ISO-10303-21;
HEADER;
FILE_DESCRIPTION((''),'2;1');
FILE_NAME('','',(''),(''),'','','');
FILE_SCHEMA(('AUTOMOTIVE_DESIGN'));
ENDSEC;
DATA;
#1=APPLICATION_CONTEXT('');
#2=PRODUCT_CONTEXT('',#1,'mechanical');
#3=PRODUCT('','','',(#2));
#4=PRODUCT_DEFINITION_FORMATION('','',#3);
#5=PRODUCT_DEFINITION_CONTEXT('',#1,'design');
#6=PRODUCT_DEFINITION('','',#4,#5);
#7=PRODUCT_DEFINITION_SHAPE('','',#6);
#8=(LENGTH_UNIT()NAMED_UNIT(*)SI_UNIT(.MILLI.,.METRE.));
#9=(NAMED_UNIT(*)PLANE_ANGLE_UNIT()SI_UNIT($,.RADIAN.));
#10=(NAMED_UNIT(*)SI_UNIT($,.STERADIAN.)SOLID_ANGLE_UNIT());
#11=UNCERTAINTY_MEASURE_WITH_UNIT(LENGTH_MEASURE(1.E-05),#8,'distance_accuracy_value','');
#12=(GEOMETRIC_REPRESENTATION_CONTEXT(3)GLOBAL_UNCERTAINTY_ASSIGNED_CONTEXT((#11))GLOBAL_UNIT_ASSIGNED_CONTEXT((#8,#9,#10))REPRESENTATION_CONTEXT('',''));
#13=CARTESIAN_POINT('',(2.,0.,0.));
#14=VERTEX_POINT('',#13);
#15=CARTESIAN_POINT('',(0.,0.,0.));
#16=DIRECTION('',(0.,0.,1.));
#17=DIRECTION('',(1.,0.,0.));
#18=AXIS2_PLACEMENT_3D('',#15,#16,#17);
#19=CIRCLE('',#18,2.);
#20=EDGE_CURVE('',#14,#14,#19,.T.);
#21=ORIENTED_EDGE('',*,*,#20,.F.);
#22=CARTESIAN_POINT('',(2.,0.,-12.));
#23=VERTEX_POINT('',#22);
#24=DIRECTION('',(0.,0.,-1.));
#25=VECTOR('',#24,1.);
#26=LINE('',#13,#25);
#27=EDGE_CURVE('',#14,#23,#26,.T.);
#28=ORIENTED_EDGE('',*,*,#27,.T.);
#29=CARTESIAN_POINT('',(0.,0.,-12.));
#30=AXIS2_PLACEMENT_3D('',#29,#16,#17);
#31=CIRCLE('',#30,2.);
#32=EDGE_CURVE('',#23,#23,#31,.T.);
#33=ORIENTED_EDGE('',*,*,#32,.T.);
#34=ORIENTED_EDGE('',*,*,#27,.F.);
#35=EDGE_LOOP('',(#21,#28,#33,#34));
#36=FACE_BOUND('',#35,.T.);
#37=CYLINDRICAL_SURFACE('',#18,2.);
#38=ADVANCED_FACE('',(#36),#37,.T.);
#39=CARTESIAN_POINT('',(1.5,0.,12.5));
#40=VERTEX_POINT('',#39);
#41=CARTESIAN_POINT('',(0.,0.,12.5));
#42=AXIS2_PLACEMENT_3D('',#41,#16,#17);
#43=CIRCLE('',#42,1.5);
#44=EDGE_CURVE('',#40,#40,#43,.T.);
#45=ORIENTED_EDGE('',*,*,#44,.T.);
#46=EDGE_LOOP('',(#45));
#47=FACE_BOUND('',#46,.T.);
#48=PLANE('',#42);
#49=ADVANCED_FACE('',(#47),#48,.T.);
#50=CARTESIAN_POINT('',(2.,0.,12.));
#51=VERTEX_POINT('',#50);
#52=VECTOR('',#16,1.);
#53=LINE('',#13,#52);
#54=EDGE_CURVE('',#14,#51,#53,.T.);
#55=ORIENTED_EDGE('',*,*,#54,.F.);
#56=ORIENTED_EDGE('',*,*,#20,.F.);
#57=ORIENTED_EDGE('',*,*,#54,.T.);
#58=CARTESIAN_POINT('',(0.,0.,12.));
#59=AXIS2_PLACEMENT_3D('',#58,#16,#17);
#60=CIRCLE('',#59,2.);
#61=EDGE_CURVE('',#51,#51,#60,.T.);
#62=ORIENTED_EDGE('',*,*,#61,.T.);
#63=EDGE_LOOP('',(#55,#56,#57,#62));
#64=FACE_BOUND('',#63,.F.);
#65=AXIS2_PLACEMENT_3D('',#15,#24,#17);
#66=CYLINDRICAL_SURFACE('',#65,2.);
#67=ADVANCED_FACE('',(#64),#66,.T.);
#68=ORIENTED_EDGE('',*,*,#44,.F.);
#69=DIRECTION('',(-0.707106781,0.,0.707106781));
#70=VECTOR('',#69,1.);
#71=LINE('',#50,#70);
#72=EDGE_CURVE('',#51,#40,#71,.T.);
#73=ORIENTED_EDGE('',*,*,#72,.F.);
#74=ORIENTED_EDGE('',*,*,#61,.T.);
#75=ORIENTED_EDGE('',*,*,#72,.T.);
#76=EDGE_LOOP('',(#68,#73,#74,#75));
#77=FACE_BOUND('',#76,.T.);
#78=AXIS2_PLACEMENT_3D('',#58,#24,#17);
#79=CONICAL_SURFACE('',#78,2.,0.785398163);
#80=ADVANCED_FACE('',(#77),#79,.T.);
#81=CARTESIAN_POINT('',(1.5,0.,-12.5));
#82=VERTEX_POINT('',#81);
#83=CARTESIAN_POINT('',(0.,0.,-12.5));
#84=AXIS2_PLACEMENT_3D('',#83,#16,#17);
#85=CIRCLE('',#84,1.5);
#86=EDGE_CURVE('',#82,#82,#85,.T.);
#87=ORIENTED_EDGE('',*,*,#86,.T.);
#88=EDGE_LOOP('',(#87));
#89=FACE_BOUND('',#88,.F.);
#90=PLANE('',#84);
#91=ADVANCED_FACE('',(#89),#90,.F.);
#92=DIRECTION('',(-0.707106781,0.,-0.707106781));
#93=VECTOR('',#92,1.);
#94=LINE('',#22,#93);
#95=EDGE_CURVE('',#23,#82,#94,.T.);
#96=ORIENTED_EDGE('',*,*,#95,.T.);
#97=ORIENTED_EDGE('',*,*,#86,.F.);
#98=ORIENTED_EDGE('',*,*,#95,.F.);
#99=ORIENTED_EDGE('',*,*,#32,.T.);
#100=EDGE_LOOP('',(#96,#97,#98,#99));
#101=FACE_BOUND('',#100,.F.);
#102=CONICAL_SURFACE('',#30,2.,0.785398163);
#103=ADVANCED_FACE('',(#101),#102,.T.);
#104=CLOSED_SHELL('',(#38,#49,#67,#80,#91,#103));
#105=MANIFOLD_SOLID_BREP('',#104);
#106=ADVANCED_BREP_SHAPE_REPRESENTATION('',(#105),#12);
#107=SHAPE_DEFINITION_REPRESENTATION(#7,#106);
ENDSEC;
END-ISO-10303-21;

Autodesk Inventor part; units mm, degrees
ref_plane "YZ Plane" through (0, 0, 0) normal (1, 0, 0) x (0, 1, 0)
ref_plane "XZ Plane" through (0, 0, 0) normal (0, 1, 0) x (-1, 0, 0)
ref_plane "XY Plane" through (0, 0, 0) normal (0, 0, 1) x (1, 0, 0)
sketch "Skizze_Grundkörper" plane through (0, 0, 0) normal (0, 0, 1) x (1, 0, 0)
  circle A0 centre (0, 0) radius 2
  dimension "d0" = 4
extrude "Grudnkörper" add sketch "Skizze_Grundkörper" along normal mid plane 25
chamfer "Fase_0,5_mm" distance 0.5 angle 45 2 edges at (-2, 0, 12.5) (-2, 0, -12.5)
properties material "Stahl, Legierung"
